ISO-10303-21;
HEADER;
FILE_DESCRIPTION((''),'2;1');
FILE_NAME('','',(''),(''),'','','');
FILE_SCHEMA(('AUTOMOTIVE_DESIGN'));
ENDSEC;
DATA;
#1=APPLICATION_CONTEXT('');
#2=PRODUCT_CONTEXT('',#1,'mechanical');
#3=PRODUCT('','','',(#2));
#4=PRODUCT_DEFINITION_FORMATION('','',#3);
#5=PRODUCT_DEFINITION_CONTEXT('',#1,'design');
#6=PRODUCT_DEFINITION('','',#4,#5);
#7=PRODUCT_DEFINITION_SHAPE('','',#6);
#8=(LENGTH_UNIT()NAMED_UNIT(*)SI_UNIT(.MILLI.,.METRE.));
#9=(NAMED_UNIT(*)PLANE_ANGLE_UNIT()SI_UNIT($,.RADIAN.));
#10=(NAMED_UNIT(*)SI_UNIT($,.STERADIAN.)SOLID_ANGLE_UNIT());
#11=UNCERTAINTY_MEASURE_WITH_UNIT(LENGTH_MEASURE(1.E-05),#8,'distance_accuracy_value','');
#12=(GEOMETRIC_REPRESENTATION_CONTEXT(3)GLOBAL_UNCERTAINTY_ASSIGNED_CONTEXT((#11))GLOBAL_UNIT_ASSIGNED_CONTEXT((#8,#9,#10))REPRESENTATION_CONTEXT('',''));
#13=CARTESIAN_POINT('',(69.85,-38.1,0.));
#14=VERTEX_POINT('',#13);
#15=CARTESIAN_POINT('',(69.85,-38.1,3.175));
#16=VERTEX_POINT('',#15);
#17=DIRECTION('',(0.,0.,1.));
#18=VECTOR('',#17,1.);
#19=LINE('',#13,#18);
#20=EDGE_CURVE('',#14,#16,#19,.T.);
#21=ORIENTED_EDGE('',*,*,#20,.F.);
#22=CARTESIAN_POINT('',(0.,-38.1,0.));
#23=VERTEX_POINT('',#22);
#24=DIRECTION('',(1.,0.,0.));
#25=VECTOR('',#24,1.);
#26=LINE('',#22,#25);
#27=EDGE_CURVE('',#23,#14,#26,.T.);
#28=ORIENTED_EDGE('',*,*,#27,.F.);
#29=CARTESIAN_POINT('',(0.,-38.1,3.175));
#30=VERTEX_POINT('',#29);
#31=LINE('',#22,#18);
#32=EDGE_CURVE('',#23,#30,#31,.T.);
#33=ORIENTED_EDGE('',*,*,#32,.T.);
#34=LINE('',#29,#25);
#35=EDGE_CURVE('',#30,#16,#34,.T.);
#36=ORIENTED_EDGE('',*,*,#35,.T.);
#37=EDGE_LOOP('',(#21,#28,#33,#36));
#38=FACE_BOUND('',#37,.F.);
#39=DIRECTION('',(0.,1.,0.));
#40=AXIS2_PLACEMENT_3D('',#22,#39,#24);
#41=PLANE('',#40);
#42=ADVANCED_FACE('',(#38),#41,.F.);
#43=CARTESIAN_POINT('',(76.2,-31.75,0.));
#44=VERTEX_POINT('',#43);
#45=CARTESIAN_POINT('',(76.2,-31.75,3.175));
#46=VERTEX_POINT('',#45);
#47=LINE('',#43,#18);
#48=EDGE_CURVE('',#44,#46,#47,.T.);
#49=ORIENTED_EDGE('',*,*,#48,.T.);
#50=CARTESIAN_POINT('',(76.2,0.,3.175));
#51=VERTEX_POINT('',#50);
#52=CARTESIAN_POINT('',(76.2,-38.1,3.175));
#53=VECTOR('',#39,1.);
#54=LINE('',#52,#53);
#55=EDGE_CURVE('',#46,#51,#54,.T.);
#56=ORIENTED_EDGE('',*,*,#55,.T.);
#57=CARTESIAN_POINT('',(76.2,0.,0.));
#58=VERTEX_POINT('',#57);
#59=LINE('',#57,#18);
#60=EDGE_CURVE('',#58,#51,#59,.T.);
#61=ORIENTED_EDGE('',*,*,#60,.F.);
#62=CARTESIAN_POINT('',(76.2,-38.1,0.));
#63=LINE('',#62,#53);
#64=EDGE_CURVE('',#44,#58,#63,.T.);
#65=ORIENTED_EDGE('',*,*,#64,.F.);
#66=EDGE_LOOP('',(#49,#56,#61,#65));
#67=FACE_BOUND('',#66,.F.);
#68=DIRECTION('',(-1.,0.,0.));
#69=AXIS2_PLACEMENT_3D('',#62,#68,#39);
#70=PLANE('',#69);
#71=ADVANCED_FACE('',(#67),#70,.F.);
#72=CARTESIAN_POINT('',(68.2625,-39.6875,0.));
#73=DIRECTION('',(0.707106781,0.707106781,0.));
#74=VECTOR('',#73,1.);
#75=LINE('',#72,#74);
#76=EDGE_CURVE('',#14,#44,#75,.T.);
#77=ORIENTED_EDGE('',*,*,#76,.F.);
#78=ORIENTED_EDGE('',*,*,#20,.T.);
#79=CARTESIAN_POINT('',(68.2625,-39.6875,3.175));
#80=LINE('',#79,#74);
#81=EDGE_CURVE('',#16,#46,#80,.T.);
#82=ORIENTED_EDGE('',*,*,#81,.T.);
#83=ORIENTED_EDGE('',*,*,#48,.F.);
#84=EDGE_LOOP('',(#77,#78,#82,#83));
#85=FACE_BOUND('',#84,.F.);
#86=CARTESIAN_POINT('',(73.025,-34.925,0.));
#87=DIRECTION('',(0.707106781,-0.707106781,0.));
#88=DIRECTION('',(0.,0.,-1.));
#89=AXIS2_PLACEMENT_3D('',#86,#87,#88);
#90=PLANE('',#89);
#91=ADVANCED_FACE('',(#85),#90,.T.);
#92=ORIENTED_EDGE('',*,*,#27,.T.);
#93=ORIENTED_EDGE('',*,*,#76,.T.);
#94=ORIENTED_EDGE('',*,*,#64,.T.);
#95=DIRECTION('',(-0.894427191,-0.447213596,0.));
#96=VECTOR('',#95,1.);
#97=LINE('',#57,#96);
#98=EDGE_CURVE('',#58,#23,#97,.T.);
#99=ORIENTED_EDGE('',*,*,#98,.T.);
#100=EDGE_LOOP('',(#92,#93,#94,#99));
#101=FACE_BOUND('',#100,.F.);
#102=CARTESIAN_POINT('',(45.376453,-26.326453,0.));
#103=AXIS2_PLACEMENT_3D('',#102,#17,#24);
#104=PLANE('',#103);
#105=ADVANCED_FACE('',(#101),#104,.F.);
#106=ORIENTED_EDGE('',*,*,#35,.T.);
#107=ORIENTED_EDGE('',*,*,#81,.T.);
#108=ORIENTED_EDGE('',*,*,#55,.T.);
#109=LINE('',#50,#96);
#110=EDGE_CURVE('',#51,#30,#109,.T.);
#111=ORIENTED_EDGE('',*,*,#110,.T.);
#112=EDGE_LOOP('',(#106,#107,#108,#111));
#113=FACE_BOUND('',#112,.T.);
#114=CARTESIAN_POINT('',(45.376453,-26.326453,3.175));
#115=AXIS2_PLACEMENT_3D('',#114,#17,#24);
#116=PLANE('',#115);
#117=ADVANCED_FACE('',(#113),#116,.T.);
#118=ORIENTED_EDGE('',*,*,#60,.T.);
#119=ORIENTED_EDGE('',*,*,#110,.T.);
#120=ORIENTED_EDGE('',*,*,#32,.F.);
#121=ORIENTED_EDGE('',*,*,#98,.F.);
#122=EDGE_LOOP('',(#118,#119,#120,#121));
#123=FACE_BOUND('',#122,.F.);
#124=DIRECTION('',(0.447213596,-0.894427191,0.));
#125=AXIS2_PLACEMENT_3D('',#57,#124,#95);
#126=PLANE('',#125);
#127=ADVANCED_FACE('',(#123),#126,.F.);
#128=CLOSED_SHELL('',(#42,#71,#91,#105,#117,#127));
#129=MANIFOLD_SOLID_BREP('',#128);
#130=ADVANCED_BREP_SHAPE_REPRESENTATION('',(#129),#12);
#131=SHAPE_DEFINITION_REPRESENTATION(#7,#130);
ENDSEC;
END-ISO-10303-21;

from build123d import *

# Parameters (mm, degrees)
F1_DEPTH = 3.175
F2_SIZE  = 6.35


with BuildPart() as f1:
    # F0 (on Top) → F1 (new body)
    with BuildSketch(Plane.XY):
        Polygon((76.2, 0), (0, -38.1), (76.2, -38.1), align=None)
    extrude(amount=F1_DEPTH)

    # F2
    f2_edges = [f1.edges().sort_by_distance(p)[0] for p in [
        (76.2, -38.1, 1.5875),
    ]]
    chamfer(f2_edges, length=F2_SIZE)


solid = f1.part
